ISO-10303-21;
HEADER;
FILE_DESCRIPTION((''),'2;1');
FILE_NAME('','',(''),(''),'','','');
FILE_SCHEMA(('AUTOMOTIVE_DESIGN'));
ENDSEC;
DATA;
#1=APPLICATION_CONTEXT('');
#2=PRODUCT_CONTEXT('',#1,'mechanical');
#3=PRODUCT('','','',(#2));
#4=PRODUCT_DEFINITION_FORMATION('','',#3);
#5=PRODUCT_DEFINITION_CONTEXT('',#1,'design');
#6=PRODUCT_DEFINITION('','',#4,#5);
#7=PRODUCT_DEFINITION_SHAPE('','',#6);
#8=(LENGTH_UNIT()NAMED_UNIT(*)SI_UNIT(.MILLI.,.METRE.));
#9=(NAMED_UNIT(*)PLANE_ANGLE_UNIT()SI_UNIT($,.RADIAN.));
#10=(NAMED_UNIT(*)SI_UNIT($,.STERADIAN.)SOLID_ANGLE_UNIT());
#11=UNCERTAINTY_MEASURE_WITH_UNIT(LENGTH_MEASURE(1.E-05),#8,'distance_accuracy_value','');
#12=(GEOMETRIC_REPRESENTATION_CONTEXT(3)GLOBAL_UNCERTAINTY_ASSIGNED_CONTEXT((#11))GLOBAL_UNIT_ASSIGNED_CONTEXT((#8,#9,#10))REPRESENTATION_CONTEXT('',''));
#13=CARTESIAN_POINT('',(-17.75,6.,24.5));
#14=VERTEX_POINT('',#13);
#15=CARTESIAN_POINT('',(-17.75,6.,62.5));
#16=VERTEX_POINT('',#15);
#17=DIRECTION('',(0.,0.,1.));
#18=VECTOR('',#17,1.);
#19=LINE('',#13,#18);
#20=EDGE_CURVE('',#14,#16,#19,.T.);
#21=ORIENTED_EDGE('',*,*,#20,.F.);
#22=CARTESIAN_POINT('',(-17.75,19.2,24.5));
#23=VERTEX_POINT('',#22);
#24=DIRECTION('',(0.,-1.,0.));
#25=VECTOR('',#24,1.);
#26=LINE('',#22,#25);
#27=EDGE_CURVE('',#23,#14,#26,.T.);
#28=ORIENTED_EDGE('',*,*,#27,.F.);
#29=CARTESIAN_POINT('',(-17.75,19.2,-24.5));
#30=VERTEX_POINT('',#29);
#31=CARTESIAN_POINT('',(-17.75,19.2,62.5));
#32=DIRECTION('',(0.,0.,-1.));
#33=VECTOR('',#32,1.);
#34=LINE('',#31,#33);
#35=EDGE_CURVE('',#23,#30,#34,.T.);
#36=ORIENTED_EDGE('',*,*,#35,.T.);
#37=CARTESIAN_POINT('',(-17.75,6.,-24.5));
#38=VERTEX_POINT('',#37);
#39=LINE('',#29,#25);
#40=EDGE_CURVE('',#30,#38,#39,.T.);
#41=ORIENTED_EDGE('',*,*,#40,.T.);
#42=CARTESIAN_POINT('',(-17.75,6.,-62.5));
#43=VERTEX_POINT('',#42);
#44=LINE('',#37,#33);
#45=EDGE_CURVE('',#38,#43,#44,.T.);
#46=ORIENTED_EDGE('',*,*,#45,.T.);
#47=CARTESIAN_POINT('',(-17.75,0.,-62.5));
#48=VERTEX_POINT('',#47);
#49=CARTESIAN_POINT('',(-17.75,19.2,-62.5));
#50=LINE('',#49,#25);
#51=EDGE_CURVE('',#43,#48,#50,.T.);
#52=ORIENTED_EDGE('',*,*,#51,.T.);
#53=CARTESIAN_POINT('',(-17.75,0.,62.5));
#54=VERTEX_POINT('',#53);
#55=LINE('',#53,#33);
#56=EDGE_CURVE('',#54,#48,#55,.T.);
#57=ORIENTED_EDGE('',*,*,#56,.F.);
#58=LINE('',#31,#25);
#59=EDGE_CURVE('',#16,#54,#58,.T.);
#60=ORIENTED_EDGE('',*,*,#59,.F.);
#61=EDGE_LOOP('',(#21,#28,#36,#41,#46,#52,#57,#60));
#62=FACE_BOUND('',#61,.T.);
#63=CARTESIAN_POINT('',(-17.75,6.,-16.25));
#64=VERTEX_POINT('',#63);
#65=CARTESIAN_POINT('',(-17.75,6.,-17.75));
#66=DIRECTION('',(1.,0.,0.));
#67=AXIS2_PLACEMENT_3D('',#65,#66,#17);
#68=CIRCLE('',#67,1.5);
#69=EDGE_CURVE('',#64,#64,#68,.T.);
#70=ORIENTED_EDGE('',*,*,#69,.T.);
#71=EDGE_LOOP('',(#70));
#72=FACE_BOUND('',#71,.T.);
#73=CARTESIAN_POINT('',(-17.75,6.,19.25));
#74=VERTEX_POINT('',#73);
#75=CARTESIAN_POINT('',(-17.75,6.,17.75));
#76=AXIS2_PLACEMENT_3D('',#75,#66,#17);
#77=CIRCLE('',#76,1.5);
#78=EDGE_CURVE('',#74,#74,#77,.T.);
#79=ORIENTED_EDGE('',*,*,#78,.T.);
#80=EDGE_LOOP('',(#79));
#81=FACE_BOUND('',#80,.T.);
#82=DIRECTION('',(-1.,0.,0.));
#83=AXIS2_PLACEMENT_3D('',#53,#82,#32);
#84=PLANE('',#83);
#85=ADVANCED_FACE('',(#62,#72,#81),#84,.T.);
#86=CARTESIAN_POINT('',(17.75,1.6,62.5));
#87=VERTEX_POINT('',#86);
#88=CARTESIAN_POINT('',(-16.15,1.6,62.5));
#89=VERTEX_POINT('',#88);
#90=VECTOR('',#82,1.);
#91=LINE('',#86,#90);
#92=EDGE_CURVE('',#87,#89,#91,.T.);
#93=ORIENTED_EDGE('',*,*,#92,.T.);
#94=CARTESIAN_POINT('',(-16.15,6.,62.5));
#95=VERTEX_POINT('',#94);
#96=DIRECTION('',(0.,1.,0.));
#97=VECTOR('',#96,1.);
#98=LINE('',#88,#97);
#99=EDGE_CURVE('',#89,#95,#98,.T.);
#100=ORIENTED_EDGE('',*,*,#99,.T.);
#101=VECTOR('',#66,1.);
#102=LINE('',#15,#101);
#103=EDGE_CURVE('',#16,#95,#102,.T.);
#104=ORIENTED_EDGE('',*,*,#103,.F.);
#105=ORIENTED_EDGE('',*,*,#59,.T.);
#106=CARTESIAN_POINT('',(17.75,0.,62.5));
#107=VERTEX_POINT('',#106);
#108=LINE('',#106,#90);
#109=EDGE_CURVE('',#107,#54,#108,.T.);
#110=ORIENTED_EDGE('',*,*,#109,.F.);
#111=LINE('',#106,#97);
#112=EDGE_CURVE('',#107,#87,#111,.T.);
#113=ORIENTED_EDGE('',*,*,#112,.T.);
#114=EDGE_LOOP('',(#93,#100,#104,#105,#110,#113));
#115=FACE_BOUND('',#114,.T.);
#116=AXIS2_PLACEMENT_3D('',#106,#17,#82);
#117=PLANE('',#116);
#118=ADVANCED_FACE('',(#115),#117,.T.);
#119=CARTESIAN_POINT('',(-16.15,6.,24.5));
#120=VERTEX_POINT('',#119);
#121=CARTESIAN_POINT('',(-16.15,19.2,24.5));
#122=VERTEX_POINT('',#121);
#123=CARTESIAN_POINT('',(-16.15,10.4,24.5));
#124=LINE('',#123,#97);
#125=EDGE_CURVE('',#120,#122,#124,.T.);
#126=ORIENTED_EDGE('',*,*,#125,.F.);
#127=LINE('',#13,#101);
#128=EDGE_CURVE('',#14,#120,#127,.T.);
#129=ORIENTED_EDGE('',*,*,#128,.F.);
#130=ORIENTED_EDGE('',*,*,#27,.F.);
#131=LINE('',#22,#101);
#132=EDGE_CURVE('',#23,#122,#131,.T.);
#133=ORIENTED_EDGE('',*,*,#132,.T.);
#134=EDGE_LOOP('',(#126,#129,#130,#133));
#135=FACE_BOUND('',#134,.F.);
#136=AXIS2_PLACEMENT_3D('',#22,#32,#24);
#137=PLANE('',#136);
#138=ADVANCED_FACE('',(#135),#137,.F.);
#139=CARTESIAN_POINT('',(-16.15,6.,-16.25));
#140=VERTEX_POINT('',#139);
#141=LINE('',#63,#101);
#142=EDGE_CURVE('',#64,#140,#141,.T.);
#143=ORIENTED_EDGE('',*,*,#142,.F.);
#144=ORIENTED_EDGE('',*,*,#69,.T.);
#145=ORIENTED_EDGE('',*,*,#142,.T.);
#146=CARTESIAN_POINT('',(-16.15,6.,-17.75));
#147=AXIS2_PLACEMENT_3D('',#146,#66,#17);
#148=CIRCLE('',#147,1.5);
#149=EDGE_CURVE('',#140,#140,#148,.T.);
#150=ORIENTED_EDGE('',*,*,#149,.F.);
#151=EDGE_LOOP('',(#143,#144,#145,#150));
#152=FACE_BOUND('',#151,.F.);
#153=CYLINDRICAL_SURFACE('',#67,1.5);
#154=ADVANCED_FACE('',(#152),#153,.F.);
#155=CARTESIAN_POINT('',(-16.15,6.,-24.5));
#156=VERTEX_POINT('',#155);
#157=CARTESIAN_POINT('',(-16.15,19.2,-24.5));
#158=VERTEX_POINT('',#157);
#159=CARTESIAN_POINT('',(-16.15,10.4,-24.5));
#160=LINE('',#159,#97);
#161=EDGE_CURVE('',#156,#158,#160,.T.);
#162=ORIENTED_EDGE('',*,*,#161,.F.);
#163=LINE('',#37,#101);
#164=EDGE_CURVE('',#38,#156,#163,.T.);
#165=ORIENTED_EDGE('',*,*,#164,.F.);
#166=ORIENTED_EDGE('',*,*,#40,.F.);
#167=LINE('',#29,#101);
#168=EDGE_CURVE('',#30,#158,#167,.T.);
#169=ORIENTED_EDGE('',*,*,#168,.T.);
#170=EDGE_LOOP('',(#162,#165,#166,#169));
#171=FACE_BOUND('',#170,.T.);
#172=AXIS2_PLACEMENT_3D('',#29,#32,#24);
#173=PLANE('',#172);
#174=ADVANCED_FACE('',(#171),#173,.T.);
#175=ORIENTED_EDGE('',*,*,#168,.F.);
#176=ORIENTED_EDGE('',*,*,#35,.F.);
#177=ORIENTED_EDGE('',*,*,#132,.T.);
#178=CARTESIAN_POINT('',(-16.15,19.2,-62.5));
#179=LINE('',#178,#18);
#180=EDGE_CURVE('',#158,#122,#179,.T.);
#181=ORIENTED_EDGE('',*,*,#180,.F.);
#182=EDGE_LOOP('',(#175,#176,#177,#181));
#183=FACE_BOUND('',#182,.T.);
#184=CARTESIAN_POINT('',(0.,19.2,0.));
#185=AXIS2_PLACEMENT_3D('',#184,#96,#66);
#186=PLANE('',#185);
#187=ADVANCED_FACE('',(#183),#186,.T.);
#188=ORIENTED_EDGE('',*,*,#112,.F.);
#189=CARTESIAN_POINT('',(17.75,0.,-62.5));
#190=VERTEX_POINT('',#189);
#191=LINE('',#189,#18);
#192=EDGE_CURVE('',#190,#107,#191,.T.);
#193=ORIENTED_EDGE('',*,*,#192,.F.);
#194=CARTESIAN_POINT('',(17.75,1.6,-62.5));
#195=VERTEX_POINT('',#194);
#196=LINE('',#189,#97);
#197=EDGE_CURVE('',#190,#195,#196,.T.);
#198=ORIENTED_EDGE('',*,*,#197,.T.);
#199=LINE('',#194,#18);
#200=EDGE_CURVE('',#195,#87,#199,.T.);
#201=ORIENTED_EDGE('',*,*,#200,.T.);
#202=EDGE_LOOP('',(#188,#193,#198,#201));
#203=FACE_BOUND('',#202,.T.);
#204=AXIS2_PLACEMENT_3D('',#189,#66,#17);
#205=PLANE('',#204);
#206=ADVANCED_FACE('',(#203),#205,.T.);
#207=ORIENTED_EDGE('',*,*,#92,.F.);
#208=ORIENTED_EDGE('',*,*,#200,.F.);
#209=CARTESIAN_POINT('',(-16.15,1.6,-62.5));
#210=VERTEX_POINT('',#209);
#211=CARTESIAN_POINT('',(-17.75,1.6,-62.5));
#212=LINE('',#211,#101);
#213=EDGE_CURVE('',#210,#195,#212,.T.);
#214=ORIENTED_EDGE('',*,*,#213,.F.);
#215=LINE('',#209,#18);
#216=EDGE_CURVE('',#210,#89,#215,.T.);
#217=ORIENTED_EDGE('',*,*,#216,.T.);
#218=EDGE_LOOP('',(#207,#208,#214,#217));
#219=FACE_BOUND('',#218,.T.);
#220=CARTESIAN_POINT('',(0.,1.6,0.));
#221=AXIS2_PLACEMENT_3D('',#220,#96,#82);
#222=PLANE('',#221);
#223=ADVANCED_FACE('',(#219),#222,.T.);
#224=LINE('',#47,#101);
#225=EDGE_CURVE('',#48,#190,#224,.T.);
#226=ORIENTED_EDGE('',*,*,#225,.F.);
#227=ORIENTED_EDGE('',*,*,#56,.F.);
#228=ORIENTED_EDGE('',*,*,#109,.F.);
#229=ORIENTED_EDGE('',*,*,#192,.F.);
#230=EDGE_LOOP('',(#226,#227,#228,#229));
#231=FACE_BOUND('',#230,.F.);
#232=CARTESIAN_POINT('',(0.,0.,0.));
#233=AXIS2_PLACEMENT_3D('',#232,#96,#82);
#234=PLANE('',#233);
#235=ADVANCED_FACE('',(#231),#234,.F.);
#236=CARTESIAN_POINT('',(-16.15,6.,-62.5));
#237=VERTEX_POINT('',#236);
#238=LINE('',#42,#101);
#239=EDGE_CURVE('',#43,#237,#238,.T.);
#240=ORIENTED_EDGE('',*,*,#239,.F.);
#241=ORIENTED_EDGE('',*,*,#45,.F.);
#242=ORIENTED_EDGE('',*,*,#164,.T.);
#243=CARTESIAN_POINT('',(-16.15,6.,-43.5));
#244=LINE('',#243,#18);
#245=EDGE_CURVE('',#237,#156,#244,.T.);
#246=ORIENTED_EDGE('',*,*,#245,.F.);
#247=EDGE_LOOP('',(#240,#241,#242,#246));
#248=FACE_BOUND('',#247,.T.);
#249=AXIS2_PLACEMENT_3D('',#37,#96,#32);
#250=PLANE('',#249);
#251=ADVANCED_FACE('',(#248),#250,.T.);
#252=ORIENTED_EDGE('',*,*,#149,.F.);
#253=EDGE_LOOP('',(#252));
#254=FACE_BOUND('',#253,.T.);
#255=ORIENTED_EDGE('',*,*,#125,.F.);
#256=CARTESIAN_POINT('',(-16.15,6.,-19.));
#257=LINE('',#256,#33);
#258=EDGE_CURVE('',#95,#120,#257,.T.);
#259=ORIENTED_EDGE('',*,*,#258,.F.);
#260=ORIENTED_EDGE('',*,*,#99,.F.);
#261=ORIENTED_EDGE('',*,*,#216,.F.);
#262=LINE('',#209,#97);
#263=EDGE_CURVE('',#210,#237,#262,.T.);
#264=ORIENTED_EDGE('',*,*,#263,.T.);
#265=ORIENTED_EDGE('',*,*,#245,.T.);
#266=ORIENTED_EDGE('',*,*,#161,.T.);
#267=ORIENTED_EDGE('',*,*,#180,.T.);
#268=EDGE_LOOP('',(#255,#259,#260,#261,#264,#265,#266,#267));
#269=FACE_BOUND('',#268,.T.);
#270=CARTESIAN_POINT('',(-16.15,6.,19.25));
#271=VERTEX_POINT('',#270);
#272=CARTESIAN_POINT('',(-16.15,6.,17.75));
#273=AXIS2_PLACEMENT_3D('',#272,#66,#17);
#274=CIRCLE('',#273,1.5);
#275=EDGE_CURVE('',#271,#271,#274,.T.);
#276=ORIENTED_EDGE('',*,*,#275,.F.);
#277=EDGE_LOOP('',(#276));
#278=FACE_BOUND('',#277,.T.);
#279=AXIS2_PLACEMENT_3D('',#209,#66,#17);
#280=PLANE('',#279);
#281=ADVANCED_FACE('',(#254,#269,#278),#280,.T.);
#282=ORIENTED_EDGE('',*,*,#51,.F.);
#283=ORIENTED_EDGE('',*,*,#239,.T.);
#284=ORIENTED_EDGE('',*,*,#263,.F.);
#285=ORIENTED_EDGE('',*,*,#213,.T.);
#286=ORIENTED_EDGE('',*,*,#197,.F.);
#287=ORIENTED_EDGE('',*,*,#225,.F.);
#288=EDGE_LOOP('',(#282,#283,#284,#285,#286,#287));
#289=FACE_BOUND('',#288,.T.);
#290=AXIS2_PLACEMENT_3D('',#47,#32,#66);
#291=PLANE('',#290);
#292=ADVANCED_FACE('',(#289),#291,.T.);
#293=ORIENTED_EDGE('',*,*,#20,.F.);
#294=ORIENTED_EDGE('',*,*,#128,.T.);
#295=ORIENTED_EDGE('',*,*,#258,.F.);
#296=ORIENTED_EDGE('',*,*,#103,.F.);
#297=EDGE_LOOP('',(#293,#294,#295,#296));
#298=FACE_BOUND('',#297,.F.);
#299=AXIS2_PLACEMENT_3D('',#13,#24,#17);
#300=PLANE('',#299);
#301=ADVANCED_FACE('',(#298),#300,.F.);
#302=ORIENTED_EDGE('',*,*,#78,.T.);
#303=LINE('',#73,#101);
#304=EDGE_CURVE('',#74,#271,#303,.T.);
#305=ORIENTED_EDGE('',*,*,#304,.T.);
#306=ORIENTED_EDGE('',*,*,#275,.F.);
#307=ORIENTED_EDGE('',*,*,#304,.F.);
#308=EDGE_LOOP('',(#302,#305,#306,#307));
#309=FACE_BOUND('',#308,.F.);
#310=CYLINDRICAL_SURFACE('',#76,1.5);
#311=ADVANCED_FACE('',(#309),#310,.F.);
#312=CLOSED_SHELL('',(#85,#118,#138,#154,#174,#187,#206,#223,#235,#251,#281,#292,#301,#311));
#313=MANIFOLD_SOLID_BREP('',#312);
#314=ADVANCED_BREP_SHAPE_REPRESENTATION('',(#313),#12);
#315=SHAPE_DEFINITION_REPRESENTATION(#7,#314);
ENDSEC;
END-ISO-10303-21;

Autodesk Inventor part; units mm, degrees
ref_plane "YZ Plane" through (0, 0, 0) normal (1, 0, 0) x (0, 1, 0)
ref_plane "XZ Plane" through (0, 0, 0) normal (0, 1, 0) x (-1, 0, 0)
ref_plane "XY Plane" through (0, 0, 0) normal (0, 0, 1) x (1, 0, 0)
sketch "Sketch1" plane through (0, 0, 0) normal (0, 1, 0) x (-1, 0, 0)
  line L0 (-17.75, 62.5) -> (17.75, 62.5)
  line L1 (17.75, 62.5) -> (17.75, -62.5)
  line L2 (17.75, -62.5) -> (-17.75, -62.5)
  line L3 (-17.75, -62.5) -> (-17.75, 62.5)
  line L4 (-17.75, 62.5) -> (17.75, -62.5) construction
  line L5 (17.75, 62.5) -> (-17.75, -62.5) construction
  point P0 (0, 0)
  dimension "d0" = 35.5
  dimension "d1" = 125
extrude "Extrusion1" add sketch "Sketch1" along normal blind 1.6
sketch "Sketch2" plane through (0, 1.6, 0) normal (0, 1, 0) x (1, 0, 0)
  line L0 (17.75, 62.5) -> (-17.75, 62.5) projected
  line L1 (-17.75, -62.5) -> (17.75, -62.5) projected
  line L2 (-17.75, 62.5) -> (-16.15, 62.5)
  line L3 (-16.15, 62.5) -> (-16.15, -62.5)
  line L4 (-16.15, -62.5) -> (-17.75, -62.5)
  line L5 (-17.75, -62.5) -> (-17.75, 62.5)
  point P0 (0, 0)
  dimension "d4" = 1.6
extrude "Extrusion2" add sketch "Sketch2" along normal blind 17.6
sketch "Sketch3" plane through (-17.75, 0, -62.5) normal (-1, 0, 0) x (0, 0, 1)
  line L0 (62.5, 0) -> (62.5, 72.1121) construction
  line L1 (98.5, 0) -> (26.5, 0) construction
  line L2 (26.5, 0) -> (26.5, 19.2) construction
  line L3 (26.5, 19.2) -> (98.5, 19.2) construction
  line L4 (98.5, 19.2) -> (98.5, 0) construction
  line L5 (98.5, 0) -> (26.5, 19.2) construction
  line L6 (26.5, 0) -> (98.5, 19.2) construction
  line L7 (0, 19.2) -> (125, 19.2) construction
  line L8 (125, 0) -> (0, 0) construction
  line L9 (125, 19.2) -> (87, 19.2)
  line L10 (87, 19.2) -> (87, 6)
  line L11 (87, 6) -> (125, 6)
  line L12 (125, 6) -> (125, 19.2)
  line L13 (0, 19.2) -> (38, 19.2)
  line L14 (38, 19.2) -> (38, 6)
  line L15 (38, 6) -> (0, 6)
  line L16 (0, 6) -> (0, 19.2)
  point P0 (62.5, 9.6)
  dimension "d7" = 72
  dimension "d8" = 38
  dimension "d9" = 6
extrude "Extrusion3" cut sketch "Sketch3" against normal through all
sketch "Sketch4" plane through (-17.75, 0, -62.5) normal (-1, 0, 0) x (0, 0, 1)
  line L0 (62.5, 0) -> (62.5, 59.5527) construction
  line L1 (44.75, 6) -> (80.25, 6) construction
  line L2 (80.25, 6) -> (80.25, 0) construction
  line L3 (80.25, 0) -> (44.75, 0) construction
  line L4 (44.75, 0) -> (44.75, 6) construction
  line L5 (44.75, 6) -> (80.25, 0) construction
  line L6 (80.25, 6) -> (44.75, 0) construction
  line L7 (125, 0) -> (0, 0) construction
  point P0 (62.5, 3)
  dimension "d12" = 6
  dimension "d13" = 35.5
hole "Hole1" at (-17.75, 6, 17.75) at (-17.75, 6, -17.75) direction (1, 0, 0) diameter 3 end through all
properties part number "fitplate"
